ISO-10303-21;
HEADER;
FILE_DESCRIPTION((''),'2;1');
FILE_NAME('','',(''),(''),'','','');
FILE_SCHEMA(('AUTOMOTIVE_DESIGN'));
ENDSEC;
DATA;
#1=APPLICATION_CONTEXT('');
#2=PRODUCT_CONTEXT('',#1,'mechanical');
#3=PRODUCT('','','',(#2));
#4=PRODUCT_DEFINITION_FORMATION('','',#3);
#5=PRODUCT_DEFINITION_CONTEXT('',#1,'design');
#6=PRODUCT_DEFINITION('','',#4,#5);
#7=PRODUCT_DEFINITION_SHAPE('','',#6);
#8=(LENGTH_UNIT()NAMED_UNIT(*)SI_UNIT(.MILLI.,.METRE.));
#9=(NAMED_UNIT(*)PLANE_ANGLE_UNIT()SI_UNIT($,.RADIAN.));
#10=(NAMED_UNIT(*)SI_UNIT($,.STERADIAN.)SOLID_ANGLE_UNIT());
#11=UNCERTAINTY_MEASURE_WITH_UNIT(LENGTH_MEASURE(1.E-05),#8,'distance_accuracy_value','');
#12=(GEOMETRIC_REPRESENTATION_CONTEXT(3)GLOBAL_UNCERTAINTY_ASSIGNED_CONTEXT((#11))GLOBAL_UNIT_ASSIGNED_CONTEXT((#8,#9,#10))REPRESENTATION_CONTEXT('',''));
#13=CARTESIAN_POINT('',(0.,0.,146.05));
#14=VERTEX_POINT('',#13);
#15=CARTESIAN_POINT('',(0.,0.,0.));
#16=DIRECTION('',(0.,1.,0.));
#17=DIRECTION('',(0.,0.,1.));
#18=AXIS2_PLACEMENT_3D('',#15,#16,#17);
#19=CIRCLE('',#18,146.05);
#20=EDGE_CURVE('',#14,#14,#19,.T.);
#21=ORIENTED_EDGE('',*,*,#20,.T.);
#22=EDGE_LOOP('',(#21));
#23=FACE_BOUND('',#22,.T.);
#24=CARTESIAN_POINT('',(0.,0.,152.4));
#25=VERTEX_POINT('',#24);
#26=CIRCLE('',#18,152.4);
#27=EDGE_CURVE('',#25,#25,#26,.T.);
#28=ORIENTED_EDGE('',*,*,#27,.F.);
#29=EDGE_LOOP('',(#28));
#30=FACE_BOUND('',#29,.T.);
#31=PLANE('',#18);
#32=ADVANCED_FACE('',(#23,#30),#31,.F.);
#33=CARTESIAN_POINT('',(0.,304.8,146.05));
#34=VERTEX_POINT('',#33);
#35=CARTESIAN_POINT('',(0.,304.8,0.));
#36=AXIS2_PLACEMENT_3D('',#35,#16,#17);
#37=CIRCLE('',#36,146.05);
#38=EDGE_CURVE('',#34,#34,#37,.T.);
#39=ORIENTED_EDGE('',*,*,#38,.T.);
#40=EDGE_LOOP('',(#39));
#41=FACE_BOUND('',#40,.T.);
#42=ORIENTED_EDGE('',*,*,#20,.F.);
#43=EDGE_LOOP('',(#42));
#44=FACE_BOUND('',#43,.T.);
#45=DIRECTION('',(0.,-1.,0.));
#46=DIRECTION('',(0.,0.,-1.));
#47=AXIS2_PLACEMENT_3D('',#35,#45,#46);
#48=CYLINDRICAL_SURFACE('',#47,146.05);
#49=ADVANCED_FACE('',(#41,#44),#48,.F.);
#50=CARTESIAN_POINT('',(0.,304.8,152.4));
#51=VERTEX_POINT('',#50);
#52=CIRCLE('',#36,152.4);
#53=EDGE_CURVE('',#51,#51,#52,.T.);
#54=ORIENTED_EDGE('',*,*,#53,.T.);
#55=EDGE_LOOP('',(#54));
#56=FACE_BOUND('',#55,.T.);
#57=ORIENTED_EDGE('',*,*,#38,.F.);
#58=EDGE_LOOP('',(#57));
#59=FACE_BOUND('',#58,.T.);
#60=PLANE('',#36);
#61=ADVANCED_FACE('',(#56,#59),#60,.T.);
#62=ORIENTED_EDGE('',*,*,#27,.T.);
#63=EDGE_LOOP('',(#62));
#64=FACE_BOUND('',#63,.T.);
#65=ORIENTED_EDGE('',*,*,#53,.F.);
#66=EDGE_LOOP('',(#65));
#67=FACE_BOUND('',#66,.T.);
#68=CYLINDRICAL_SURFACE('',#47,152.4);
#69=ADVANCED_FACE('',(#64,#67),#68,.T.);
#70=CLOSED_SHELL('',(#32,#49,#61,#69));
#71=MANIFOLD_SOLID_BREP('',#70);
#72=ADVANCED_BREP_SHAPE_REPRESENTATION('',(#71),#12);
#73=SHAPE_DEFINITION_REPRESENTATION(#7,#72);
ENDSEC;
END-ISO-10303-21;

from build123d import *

# Parameters (mm, degrees)
SKETCH1_R           = 152.4
SKETCH1_R_2         = 146.05
BOSS_EXTRUDE1_DEPTH = 304.8


with BuildPart() as part:
    # Sketch1 → Boss-Extrude1 (new body)
    with BuildSketch(Plane(origin=(0, 0, 0), x_dir=(1, 0, 0), z_dir=(0, 1, 0))):
        Circle(SKETCH1_R)
        Circle(SKETCH1_R_2, mode=Mode.SUBTRACT)
    extrude(amount=BOSS_EXTRUDE1_DEPTH)


solid = part.part
